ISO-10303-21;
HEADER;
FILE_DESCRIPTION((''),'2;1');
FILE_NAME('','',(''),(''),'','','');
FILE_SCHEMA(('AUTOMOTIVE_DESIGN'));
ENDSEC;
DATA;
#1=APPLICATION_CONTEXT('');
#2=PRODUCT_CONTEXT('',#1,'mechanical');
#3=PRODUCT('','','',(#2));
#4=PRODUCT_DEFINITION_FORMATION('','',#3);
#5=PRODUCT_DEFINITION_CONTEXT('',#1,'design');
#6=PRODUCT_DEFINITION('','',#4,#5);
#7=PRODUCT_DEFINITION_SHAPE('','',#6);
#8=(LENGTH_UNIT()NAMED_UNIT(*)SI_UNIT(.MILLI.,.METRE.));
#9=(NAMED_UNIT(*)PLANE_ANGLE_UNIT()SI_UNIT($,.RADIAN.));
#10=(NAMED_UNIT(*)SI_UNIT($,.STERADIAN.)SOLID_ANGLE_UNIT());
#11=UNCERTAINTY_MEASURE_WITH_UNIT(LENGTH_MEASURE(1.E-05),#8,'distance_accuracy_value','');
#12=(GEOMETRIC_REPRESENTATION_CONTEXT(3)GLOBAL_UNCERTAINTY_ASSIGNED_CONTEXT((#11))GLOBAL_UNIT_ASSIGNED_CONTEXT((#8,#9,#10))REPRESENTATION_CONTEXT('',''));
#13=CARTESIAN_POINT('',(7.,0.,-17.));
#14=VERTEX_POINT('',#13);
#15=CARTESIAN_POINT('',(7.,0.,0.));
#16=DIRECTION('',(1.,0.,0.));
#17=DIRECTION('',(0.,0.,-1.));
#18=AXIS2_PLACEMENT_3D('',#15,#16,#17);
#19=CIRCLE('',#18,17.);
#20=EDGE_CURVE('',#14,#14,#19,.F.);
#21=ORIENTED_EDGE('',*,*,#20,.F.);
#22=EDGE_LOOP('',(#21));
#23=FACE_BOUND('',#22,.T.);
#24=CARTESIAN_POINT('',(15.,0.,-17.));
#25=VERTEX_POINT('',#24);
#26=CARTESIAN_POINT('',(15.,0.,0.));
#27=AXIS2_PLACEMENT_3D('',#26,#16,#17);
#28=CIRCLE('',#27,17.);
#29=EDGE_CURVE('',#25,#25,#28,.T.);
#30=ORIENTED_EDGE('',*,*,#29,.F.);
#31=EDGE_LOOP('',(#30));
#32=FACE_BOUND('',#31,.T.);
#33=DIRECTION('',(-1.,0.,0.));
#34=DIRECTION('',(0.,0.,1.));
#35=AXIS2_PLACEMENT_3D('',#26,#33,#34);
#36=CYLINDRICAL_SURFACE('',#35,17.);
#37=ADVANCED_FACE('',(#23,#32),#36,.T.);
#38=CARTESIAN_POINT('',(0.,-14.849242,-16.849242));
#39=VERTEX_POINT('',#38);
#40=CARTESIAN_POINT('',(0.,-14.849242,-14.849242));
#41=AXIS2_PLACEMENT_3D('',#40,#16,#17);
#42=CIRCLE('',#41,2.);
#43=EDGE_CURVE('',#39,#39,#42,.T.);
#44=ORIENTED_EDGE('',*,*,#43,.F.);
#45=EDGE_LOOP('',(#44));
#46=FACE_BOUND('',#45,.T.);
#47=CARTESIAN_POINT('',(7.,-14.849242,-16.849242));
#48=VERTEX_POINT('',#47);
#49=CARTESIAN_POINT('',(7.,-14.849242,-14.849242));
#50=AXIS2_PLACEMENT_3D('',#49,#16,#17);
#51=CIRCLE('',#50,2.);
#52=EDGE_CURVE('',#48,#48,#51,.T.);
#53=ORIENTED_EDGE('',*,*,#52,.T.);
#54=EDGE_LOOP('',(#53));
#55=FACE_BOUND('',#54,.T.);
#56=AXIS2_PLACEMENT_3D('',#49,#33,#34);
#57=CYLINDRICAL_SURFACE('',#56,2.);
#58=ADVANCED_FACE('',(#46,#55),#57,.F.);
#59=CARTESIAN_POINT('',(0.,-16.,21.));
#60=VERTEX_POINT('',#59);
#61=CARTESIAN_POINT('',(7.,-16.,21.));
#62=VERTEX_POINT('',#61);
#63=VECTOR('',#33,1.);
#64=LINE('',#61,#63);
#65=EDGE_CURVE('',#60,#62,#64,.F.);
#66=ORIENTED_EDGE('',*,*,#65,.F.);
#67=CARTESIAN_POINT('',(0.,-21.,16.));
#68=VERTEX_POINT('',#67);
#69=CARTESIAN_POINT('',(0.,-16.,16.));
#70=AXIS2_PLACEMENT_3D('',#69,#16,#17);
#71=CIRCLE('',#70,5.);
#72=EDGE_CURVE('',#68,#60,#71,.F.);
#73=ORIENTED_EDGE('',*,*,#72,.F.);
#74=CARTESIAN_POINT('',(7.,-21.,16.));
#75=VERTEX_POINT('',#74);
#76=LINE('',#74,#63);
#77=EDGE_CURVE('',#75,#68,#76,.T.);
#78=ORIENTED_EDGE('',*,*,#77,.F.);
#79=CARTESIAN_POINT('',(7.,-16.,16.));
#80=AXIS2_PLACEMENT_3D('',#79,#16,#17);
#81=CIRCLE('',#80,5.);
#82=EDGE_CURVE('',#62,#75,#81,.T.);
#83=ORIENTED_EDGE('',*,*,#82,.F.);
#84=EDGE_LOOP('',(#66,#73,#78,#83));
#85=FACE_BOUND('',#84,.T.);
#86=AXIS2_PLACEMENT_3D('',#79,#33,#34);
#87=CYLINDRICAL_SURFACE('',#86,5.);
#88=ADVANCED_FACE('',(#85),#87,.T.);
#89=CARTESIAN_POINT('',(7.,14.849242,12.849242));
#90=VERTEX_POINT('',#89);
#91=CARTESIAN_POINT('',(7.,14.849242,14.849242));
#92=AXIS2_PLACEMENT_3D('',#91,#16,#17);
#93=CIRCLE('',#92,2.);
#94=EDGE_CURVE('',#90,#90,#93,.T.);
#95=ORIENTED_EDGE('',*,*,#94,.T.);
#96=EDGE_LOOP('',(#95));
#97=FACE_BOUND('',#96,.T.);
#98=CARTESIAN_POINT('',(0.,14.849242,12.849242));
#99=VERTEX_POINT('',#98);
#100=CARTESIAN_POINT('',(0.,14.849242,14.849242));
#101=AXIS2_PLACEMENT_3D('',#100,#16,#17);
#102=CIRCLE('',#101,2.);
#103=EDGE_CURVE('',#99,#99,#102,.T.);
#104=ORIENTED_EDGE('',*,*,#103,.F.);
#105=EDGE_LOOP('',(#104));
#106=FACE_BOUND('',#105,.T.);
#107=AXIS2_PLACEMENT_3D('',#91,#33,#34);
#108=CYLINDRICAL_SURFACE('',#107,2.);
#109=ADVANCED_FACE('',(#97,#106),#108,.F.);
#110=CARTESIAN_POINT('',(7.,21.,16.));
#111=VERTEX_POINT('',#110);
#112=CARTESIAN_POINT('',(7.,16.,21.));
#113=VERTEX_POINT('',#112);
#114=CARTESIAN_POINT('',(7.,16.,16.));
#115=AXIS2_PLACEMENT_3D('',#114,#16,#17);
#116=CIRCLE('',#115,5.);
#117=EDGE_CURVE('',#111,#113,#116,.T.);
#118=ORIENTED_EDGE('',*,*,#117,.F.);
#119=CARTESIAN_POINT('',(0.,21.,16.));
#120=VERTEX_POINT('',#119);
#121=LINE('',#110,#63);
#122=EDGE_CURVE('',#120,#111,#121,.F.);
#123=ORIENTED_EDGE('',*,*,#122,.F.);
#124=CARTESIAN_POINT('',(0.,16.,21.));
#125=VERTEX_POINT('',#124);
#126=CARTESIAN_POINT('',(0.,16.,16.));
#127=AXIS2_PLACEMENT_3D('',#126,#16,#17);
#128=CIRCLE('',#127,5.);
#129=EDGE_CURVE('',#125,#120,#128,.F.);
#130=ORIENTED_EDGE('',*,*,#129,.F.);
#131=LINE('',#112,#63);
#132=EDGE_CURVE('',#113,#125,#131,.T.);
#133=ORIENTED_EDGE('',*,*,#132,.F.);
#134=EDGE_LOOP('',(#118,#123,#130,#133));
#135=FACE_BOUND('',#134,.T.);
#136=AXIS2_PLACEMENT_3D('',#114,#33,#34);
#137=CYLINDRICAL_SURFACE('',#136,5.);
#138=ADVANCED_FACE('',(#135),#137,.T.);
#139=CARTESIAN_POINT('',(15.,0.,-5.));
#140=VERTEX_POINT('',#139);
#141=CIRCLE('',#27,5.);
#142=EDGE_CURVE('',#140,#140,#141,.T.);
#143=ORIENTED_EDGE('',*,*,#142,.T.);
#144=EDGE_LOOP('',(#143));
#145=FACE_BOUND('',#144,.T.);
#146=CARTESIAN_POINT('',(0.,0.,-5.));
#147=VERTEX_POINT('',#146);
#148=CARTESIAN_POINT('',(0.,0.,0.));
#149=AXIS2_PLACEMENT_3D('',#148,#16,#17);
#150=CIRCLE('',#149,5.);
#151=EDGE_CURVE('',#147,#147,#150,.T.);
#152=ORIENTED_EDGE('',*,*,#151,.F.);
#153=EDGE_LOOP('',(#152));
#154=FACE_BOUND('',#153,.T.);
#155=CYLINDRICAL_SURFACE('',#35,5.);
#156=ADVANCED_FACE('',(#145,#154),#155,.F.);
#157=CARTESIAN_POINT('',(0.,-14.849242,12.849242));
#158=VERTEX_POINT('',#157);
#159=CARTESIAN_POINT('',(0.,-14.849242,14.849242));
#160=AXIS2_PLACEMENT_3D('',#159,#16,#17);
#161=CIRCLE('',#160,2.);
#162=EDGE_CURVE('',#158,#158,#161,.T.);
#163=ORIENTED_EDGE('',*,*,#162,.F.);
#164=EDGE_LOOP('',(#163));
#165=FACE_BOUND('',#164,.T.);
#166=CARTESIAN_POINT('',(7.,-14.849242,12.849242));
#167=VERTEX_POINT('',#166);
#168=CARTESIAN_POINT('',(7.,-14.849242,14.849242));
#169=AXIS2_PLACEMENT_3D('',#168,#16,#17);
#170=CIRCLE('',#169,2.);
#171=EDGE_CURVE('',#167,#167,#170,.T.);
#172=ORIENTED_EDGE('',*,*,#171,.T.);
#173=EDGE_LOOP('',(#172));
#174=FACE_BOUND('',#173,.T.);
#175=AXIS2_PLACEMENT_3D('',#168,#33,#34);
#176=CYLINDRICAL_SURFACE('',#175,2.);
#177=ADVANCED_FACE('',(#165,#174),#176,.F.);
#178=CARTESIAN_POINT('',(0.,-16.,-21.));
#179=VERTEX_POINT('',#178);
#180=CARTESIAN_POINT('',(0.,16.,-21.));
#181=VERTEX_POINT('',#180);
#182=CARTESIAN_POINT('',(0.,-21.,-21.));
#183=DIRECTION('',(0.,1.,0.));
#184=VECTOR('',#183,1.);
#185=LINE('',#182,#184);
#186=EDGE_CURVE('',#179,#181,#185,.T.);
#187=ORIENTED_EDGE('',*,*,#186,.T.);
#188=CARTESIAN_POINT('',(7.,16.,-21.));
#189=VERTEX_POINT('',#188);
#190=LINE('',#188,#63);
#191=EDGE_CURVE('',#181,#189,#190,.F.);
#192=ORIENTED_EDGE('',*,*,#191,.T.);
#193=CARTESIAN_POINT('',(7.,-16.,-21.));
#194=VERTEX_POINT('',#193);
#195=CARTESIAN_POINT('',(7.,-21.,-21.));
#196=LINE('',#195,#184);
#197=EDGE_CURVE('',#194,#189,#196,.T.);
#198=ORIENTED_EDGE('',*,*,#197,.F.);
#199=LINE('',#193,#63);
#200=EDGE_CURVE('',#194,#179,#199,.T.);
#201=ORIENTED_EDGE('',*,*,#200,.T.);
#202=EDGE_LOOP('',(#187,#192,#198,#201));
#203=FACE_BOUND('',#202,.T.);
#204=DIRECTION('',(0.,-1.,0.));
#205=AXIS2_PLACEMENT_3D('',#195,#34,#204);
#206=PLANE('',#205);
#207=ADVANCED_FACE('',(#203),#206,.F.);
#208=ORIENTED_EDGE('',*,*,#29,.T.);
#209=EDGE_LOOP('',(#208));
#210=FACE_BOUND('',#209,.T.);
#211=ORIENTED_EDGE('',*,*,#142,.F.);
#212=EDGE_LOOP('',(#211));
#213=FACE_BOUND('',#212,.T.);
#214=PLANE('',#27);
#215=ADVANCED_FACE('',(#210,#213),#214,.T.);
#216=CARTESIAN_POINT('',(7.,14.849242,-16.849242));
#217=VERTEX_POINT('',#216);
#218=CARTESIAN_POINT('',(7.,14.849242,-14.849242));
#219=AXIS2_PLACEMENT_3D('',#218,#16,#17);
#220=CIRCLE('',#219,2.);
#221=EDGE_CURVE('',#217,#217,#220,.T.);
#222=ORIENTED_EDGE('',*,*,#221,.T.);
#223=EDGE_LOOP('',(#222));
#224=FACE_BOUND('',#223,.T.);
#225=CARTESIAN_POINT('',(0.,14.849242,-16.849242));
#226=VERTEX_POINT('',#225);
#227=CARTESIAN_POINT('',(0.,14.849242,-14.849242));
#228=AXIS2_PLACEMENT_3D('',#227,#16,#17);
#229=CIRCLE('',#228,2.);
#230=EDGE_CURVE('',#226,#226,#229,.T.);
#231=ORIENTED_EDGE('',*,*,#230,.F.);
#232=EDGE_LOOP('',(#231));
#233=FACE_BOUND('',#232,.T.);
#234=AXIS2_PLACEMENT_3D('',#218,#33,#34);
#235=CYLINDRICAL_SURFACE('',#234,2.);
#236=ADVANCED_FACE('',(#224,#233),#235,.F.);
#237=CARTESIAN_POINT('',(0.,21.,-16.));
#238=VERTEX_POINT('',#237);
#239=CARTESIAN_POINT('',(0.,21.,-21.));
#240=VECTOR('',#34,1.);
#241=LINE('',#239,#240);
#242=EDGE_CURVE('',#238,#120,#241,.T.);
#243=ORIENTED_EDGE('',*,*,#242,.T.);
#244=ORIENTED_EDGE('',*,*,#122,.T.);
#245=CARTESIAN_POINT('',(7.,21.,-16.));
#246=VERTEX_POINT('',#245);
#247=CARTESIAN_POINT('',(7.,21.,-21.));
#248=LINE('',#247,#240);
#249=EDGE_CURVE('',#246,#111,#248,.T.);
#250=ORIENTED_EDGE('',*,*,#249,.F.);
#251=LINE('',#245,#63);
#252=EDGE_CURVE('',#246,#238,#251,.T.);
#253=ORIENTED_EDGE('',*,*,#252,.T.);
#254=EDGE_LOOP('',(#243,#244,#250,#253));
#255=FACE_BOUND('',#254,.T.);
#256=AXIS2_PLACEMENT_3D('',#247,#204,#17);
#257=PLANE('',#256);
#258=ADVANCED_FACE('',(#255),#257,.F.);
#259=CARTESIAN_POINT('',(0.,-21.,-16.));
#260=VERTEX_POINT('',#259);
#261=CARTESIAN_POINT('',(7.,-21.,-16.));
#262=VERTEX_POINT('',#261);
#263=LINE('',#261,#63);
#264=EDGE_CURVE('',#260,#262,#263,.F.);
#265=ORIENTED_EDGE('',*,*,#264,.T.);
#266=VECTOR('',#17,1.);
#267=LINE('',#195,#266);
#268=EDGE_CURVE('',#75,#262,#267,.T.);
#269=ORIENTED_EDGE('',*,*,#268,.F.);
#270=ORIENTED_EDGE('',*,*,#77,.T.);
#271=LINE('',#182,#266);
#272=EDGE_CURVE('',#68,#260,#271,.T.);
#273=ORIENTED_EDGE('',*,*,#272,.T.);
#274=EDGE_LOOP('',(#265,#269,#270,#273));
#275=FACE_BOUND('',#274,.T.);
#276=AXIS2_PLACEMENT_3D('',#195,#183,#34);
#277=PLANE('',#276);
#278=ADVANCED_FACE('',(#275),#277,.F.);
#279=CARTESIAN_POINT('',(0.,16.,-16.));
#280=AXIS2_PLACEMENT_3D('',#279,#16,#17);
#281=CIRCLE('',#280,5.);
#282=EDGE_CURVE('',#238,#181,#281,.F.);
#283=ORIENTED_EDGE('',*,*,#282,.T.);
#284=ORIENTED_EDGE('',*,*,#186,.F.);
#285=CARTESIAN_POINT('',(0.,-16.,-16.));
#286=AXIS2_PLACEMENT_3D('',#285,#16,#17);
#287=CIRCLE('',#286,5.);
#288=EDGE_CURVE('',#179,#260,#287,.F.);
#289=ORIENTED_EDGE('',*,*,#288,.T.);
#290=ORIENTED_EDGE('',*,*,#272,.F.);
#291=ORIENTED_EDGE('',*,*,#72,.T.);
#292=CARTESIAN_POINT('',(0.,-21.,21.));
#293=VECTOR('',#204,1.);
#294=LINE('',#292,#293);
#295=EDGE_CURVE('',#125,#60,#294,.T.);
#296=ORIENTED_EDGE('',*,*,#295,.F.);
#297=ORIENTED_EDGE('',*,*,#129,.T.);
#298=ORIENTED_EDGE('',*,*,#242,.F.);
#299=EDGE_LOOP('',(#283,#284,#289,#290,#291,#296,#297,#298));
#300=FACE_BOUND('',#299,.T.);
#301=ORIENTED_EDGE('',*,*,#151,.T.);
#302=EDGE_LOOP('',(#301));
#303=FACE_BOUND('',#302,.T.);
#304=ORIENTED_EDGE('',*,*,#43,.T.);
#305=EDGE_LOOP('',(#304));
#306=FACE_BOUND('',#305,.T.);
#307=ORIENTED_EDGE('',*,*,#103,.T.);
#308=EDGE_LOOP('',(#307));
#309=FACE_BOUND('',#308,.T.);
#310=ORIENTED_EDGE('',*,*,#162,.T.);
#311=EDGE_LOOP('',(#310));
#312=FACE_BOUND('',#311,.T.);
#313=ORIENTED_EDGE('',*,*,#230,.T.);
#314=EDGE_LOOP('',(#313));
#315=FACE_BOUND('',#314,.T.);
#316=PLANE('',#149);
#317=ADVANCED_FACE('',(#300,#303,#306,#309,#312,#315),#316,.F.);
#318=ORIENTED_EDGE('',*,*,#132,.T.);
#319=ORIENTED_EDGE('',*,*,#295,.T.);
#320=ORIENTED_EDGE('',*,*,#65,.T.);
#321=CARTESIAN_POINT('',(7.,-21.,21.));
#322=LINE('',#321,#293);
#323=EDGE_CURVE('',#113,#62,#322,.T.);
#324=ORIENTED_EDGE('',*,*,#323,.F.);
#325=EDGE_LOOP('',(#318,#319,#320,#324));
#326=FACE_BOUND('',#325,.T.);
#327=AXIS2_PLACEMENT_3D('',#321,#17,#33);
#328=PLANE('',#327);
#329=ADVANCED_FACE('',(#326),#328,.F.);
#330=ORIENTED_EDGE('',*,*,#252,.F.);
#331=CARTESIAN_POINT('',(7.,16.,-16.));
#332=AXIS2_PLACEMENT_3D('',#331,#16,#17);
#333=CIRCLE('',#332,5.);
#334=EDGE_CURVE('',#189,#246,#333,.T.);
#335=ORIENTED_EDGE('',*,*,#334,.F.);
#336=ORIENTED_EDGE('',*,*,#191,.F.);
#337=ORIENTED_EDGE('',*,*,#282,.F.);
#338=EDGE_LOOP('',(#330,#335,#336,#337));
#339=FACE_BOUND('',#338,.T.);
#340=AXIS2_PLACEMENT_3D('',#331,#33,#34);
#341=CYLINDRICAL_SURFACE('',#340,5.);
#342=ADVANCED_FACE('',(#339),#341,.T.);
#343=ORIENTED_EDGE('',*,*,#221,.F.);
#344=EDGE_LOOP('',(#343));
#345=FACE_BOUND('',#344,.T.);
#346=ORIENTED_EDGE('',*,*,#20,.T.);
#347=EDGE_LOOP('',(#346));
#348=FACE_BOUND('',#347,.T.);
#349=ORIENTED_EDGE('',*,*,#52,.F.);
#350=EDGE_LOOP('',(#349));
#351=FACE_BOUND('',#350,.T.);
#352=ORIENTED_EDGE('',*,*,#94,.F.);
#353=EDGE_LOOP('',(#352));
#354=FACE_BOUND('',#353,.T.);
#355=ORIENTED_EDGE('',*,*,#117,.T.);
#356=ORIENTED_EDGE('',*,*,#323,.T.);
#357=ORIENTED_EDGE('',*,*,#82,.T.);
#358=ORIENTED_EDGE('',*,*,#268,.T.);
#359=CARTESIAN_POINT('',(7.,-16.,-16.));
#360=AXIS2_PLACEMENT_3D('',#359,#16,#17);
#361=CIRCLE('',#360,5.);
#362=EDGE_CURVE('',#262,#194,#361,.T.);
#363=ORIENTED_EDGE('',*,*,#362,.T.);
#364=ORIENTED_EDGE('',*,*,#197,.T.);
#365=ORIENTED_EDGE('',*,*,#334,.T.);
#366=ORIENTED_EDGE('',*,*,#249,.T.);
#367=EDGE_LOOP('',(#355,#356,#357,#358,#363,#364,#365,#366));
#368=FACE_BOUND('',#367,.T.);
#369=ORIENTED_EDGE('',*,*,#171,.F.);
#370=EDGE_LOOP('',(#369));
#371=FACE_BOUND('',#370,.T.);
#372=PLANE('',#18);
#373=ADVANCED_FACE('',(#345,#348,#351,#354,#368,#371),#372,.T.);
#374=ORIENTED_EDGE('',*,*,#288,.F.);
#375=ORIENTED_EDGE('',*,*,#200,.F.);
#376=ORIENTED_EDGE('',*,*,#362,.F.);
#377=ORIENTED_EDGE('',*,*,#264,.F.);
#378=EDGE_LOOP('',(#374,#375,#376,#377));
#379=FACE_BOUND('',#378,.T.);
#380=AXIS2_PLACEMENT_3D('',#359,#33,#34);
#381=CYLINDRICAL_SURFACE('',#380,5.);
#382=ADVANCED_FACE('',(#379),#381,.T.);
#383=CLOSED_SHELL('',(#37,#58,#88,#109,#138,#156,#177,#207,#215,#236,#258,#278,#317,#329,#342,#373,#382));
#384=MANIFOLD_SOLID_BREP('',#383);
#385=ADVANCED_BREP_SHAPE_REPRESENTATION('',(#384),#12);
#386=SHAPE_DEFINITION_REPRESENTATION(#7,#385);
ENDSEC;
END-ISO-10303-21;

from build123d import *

# Parameters (mm, degrees)
SKETCH1_W           = 42
SKETCH1_H           = 42
SKETCH1_R           = 2
SKETCH1_R_2         = 10
BOSS_EXTRUDE1_DEPTH = 7
SKETCH2_R           = 17
SKETCH2_R_2         = 5
BOSS_EXTRUDE2_DEPTH = 15
FILLET1_R           = 5


with BuildPart() as part:
    # Sketch1 → Boss-Extrude1 (new body)
    with BuildSketch(Plane(origin=(0, 0, 0), x_dir=(0, 0, -1), z_dir=(1, 0, 0))):
        Rectangle(SKETCH1_W, SKETCH1_H)
        with Locations((-14.849242405, 14.849242405)):
            Circle(SKETCH1_R, mode=Mode.SUBTRACT)
        with Locations((14.849242405, 14.849242405)):
            Circle(SKETCH1_R, mode=Mode.SUBTRACT)
        with Locations((14.849242405, -14.849242405)):
            Circle(SKETCH1_R, mode=Mode.SUBTRACT)
        with Locations((-14.849242405, -14.849242405)):
            Circle(SKETCH1_R, mode=Mode.SUBTRACT)
        Circle(SKETCH1_R_2, mode=Mode.SUBTRACT)
    extrude(amount=BOSS_EXTRUDE1_DEPTH)

    # Sketch2 → Boss-Extrude2 (add)
    with BuildSketch(Plane(origin=(0, 0, 0), x_dir=(0, 0, -1), z_dir=(1, 0, 0))):
        Circle(SKETCH2_R)
        Circle(SKETCH2_R_2, mode=Mode.SUBTRACT)
    extrude(amount=BOSS_EXTRUDE2_DEPTH)

    # Fillet1
    fillet1_edges = [part.edges().sort_by_distance(p)[0] for p in [
        (3.5, 21, 21),
        (3.5, 21, -21),
        (3.5, -21, -21),
        (3.5, -21, 21),
    ]]
    fillet(fillet1_edges, radius=FILLET1_R)


solid = part.part
